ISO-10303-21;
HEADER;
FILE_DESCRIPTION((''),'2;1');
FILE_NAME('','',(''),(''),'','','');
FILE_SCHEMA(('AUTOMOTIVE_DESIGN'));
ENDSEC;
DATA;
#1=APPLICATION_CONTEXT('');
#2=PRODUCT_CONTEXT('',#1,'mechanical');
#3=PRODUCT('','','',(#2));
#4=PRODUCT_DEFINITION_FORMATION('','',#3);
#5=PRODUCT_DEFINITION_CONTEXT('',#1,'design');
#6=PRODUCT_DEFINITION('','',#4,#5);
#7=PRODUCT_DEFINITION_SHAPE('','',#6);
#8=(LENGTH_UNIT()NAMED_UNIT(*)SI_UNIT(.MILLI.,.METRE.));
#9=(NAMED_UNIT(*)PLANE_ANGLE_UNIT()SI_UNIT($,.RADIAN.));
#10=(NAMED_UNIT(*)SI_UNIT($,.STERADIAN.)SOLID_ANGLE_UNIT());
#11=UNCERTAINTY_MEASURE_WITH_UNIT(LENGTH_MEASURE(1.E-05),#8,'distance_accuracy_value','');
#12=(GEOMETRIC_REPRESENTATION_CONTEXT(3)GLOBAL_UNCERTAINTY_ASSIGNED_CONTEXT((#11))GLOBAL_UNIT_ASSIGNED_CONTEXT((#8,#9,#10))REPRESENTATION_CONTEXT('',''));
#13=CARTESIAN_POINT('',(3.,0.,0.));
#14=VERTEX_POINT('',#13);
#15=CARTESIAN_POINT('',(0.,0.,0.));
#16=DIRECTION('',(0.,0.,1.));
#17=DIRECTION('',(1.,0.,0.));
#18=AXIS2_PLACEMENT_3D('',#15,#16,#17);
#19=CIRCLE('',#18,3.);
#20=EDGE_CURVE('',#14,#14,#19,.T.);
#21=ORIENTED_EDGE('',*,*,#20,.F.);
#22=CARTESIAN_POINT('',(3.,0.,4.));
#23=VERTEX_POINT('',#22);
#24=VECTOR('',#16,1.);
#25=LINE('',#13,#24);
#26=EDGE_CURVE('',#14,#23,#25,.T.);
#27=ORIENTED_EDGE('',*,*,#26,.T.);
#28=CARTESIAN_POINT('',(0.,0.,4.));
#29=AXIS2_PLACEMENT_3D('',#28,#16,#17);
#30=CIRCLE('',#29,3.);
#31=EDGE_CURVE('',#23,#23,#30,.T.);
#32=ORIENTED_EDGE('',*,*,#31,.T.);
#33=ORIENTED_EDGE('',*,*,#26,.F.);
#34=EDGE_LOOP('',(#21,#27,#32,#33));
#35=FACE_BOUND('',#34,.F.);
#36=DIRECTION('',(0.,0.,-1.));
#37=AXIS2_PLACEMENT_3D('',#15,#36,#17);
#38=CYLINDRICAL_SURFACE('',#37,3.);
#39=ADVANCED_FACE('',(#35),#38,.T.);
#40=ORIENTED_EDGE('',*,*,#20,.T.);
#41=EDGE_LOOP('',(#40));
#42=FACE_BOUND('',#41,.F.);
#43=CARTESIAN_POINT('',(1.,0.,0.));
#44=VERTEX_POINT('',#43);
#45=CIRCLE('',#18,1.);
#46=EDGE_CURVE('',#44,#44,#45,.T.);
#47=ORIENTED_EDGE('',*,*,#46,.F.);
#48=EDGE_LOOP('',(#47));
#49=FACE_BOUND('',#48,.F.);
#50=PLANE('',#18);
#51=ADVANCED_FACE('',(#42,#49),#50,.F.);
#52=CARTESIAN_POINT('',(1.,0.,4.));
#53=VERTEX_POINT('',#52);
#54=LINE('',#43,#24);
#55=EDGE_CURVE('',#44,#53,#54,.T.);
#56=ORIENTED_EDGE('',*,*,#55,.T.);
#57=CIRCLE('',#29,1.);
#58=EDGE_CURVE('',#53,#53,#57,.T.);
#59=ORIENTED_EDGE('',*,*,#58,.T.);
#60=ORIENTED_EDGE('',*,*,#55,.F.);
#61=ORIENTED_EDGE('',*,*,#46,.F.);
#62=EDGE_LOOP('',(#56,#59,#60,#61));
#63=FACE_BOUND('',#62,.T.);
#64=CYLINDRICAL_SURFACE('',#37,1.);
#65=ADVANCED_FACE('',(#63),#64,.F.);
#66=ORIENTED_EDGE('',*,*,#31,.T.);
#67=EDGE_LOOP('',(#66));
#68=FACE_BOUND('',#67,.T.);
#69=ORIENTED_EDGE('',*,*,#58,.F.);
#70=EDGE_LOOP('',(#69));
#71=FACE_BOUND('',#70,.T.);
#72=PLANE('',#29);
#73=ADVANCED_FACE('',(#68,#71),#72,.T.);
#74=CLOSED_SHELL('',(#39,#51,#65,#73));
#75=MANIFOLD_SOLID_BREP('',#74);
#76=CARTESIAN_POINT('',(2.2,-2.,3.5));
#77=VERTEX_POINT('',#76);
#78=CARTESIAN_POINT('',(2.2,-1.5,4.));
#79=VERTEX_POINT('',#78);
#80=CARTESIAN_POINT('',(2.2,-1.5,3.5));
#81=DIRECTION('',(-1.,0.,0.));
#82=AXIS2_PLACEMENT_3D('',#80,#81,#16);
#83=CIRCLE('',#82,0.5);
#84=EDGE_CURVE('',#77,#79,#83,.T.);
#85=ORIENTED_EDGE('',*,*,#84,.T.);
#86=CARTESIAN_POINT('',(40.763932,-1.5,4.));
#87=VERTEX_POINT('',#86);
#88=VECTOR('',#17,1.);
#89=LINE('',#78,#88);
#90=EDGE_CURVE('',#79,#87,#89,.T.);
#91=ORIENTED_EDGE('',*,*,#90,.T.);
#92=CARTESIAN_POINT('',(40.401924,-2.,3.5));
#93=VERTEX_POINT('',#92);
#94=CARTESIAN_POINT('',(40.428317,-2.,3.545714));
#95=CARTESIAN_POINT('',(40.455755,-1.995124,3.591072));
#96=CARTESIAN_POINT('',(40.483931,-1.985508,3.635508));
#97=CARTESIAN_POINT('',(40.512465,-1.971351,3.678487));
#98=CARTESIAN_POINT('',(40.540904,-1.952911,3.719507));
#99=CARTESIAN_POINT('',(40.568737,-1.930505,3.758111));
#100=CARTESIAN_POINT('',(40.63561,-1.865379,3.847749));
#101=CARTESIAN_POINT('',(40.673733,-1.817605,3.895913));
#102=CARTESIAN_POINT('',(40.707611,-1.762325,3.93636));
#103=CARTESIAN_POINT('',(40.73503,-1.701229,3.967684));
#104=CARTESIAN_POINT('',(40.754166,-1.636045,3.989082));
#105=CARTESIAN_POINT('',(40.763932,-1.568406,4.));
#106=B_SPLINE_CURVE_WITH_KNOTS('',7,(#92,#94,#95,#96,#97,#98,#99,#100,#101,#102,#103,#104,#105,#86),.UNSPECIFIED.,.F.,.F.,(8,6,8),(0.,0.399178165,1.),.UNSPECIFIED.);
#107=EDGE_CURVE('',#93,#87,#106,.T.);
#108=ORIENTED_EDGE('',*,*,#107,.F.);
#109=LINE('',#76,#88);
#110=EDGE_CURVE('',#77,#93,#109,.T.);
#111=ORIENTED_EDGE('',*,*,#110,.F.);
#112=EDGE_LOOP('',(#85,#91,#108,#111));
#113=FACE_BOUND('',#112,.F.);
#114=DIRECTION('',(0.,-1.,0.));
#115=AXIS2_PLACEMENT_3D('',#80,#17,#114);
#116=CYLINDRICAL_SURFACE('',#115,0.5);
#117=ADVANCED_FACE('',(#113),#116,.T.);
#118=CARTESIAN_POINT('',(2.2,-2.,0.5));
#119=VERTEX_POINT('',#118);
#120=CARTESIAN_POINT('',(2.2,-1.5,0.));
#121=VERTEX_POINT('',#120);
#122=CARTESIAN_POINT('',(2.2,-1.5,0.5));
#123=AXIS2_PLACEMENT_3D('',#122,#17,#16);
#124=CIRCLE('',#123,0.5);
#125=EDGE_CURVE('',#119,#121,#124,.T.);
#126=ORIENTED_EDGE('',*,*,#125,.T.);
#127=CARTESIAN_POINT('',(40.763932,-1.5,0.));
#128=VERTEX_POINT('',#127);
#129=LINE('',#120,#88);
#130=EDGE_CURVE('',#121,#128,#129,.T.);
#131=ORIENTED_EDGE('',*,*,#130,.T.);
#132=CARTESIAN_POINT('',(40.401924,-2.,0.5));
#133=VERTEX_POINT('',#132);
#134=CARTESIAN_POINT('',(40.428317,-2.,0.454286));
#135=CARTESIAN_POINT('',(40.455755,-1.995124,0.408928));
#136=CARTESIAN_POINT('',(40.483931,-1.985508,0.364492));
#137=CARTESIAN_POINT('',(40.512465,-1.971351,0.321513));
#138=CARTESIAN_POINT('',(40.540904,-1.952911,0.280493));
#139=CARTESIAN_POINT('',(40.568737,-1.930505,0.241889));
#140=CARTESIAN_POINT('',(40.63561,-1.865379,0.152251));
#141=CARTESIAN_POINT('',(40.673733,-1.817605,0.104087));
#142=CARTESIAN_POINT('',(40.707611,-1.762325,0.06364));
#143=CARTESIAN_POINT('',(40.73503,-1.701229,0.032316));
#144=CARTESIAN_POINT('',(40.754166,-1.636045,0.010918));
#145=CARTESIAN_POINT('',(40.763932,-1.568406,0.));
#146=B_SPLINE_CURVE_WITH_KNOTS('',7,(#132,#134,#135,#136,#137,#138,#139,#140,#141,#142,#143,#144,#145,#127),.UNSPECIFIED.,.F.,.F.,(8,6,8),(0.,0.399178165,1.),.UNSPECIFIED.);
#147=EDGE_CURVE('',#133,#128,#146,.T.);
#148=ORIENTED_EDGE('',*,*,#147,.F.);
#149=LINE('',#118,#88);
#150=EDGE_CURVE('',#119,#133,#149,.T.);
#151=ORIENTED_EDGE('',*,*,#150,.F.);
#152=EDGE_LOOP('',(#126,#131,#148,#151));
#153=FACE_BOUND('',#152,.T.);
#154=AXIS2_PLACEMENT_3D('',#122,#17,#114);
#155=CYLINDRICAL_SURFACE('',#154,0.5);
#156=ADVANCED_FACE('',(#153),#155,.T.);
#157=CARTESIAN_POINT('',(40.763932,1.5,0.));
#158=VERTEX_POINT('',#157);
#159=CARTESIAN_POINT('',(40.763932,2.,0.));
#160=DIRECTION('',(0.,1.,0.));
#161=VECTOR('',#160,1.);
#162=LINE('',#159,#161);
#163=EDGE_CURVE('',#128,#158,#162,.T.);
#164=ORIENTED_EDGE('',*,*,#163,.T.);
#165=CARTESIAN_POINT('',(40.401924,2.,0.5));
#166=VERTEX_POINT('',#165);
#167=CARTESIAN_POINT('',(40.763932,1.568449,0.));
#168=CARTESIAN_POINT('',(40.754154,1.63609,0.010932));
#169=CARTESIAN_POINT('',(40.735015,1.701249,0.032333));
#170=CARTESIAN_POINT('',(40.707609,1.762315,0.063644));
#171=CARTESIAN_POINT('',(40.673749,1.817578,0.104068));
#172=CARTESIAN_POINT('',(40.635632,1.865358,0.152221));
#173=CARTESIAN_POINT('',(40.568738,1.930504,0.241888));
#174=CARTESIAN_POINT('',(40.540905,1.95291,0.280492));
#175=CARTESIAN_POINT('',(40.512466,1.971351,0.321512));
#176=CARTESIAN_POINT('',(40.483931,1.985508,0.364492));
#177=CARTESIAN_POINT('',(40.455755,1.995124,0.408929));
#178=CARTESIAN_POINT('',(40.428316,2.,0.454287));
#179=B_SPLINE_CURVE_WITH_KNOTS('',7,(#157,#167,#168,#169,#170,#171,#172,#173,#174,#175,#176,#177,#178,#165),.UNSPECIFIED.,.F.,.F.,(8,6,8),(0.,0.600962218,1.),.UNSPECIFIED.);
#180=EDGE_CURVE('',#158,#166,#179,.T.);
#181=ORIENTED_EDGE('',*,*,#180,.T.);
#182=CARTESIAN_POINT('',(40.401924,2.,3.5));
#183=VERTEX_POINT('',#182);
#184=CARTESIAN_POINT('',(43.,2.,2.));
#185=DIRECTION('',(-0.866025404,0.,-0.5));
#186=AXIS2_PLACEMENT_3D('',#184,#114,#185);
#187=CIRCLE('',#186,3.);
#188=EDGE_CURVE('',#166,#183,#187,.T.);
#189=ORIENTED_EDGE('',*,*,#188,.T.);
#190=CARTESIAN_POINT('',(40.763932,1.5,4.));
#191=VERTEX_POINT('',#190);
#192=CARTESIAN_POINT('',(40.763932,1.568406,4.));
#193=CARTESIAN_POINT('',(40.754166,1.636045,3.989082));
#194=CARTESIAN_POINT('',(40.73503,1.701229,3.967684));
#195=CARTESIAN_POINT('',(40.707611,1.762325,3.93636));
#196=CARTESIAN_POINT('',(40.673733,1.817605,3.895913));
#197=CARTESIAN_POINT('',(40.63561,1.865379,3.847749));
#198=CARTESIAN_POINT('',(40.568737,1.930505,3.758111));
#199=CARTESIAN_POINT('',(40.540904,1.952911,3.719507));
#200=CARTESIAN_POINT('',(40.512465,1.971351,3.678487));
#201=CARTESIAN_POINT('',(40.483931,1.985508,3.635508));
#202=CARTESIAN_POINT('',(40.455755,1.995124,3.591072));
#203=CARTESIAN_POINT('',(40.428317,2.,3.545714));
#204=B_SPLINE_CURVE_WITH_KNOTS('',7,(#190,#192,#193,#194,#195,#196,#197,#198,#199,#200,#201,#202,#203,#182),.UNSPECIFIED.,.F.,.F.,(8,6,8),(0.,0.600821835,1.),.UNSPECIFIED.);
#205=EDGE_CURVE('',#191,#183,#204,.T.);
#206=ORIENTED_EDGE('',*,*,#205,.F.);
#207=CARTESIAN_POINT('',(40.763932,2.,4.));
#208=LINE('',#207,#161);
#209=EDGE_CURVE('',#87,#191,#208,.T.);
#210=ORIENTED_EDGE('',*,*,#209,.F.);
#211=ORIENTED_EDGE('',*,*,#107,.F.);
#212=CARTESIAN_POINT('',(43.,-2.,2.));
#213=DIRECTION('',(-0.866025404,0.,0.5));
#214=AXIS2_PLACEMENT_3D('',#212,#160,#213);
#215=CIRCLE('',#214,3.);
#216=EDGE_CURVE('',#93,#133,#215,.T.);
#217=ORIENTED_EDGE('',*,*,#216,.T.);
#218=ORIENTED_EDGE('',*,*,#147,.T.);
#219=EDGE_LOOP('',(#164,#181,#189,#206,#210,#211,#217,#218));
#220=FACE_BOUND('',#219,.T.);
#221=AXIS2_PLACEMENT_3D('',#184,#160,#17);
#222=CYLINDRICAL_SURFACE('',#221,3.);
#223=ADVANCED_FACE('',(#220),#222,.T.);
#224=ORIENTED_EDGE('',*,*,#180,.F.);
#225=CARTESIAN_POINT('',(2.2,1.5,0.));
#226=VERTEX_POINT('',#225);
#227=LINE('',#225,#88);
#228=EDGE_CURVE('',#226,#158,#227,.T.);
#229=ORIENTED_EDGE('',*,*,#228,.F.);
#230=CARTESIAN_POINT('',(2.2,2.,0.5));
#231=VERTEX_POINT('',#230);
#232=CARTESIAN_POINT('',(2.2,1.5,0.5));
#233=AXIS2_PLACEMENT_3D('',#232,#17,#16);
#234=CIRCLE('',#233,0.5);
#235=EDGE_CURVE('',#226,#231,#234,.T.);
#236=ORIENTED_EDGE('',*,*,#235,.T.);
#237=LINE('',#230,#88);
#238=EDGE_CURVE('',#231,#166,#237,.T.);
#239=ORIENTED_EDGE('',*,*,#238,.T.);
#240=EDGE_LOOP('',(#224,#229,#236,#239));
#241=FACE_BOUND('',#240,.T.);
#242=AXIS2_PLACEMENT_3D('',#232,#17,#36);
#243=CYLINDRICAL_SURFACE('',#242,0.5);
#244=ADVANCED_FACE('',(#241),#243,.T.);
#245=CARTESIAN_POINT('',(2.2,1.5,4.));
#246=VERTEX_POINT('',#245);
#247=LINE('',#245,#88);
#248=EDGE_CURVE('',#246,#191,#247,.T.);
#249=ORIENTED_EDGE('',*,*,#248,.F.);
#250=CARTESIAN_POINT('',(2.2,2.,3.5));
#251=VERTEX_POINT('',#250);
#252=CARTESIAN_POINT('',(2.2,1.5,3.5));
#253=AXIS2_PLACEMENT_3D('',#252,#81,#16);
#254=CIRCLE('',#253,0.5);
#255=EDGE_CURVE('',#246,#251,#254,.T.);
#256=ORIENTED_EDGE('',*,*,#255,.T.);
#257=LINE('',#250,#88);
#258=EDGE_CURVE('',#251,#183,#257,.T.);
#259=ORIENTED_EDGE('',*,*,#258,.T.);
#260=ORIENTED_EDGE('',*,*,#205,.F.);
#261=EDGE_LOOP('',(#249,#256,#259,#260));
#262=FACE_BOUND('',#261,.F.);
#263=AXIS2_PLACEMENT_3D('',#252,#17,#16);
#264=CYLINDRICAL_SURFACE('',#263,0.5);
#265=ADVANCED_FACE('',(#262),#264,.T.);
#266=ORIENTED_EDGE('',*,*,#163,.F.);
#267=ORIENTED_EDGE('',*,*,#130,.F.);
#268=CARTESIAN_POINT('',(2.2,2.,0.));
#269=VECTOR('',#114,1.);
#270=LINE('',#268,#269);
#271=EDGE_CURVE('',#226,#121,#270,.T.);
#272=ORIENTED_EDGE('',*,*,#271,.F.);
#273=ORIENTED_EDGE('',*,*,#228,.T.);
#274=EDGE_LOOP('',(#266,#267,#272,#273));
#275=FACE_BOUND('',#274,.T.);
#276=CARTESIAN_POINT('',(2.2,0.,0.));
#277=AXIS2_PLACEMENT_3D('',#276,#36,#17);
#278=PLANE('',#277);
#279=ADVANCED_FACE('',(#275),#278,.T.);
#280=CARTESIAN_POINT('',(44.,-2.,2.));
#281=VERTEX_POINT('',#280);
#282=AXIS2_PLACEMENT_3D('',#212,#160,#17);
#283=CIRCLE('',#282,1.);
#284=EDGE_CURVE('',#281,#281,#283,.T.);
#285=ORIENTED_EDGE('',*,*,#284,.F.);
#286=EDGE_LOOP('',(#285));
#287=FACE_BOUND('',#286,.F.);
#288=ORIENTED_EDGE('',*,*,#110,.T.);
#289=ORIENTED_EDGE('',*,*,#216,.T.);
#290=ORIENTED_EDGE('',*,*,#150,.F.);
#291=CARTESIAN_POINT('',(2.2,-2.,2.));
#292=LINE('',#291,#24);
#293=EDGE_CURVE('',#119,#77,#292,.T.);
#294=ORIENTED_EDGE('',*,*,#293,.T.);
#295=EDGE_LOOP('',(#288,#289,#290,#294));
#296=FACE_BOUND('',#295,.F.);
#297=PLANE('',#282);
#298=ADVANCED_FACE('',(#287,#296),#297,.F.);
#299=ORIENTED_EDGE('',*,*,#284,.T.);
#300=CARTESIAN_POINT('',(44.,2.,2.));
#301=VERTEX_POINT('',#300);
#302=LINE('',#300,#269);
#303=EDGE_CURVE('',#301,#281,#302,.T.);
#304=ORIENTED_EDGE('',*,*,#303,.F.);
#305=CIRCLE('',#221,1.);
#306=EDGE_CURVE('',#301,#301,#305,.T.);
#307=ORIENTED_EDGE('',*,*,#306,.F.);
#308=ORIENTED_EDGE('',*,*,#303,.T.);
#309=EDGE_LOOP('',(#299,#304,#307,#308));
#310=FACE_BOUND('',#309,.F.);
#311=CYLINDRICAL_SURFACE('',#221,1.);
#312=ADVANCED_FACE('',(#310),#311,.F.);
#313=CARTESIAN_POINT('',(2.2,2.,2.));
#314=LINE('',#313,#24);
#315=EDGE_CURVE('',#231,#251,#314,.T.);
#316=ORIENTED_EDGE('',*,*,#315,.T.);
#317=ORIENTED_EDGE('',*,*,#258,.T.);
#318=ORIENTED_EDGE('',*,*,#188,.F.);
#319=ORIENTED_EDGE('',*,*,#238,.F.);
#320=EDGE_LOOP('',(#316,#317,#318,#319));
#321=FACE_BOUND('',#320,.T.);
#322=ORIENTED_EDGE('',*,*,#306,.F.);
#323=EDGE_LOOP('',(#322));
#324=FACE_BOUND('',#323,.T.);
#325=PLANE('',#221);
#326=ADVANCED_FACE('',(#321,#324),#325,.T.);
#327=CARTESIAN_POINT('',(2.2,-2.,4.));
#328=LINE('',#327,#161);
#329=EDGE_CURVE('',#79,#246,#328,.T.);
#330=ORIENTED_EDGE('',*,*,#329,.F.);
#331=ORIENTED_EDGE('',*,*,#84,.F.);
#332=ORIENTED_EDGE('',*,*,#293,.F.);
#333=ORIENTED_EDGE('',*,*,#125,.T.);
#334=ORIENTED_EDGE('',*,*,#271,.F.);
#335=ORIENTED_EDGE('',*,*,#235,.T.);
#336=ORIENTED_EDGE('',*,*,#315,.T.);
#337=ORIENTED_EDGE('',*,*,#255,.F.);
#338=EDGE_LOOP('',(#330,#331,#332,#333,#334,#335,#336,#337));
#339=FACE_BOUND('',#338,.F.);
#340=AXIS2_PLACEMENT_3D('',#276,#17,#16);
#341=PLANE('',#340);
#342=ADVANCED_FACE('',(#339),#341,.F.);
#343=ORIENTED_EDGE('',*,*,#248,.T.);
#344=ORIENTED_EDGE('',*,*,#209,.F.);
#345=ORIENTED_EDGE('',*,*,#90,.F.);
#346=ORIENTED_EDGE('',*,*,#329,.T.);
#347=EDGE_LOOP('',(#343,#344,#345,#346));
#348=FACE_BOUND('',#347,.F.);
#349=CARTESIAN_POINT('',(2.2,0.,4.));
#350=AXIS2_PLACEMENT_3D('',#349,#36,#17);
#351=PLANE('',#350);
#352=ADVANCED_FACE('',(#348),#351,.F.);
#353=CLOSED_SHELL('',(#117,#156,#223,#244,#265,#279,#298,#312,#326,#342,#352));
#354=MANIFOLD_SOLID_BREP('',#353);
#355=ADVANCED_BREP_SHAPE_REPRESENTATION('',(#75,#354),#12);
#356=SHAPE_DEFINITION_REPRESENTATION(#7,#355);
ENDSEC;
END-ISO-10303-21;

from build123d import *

# Parameters (mm, degrees)
SKETCH_R      = 3
SKETCH_R_2    = 1
PAD_DEPTH     = 4
SKETCH001_W   = 38.6
SKETCH001_H   = 4
PAD001_DEPTH  = 2
FILLET_R      = 0.5
FILLET001_R   = 0.5
FILLET002_R   = 0.5
FILLET003_R   = 0.5
SKETCH002_R   = 3
SKETCH002_R_2 = 1
PAD002_DEPTH  = 4


with BuildPart() as pad:
    # Sketch → Pad (new body)
    with BuildSketch(Plane.XY):
        Circle(SKETCH_R)
        Circle(SKETCH_R_2, mode=Mode.SUBTRACT)
    extrude(amount=PAD_DEPTH)


with BuildPart() as pad002:
    # Sketch001 → Pad001 (new body, symmetric)
    with BuildSketch(Plane.XZ):
        with Locations((21.5, 2)):
            Rectangle(SKETCH001_W, SKETCH001_H)
    extrude(amount=PAD001_DEPTH, both=True)

    # Fillet
    fillet_edges = [pad002.edges().sort_by_distance(p)[0] for p in [
        (21.5, -2, 4),
    ]]
    fillet(fillet_edges, radius=FILLET_R)

    # Fillet001
    fillet001_edges = [pad002.edges().sort_by_distance(p)[0] for p in [
        (21.5, 2, 4),
    ]]
    fillet(fillet001_edges, radius=FILLET001_R)

    # Fillet002
    fillet002_edges = [pad002.edges().sort_by_distance(p)[0] for p in [
        (21.5, -2, 0),
    ]]
    fillet(fillet002_edges, radius=FILLET002_R)

    # Fillet003
    fillet003_edges = [pad002.edges().sort_by_distance(p)[0] for p in [
        (21.5, 2, 0),
    ]]
    fillet(fillet003_edges, radius=FILLET003_R)

    # Sketch002 → Pad002 (new body)
    with BuildSketch(Plane(origin=(0, 2, 0), x_dir=(1, 0, 0), z_dir=(0, 1, 0))):
        with Locations((43, -2)):
            Circle(SKETCH002_R)
        with Locations((43, -2)):
            Circle(SKETCH002_R_2, mode=Mode.SUBTRACT)
    extrude(amount=-PAD002_DEPTH)


solid = Compound([pad.part, pad002.part])
